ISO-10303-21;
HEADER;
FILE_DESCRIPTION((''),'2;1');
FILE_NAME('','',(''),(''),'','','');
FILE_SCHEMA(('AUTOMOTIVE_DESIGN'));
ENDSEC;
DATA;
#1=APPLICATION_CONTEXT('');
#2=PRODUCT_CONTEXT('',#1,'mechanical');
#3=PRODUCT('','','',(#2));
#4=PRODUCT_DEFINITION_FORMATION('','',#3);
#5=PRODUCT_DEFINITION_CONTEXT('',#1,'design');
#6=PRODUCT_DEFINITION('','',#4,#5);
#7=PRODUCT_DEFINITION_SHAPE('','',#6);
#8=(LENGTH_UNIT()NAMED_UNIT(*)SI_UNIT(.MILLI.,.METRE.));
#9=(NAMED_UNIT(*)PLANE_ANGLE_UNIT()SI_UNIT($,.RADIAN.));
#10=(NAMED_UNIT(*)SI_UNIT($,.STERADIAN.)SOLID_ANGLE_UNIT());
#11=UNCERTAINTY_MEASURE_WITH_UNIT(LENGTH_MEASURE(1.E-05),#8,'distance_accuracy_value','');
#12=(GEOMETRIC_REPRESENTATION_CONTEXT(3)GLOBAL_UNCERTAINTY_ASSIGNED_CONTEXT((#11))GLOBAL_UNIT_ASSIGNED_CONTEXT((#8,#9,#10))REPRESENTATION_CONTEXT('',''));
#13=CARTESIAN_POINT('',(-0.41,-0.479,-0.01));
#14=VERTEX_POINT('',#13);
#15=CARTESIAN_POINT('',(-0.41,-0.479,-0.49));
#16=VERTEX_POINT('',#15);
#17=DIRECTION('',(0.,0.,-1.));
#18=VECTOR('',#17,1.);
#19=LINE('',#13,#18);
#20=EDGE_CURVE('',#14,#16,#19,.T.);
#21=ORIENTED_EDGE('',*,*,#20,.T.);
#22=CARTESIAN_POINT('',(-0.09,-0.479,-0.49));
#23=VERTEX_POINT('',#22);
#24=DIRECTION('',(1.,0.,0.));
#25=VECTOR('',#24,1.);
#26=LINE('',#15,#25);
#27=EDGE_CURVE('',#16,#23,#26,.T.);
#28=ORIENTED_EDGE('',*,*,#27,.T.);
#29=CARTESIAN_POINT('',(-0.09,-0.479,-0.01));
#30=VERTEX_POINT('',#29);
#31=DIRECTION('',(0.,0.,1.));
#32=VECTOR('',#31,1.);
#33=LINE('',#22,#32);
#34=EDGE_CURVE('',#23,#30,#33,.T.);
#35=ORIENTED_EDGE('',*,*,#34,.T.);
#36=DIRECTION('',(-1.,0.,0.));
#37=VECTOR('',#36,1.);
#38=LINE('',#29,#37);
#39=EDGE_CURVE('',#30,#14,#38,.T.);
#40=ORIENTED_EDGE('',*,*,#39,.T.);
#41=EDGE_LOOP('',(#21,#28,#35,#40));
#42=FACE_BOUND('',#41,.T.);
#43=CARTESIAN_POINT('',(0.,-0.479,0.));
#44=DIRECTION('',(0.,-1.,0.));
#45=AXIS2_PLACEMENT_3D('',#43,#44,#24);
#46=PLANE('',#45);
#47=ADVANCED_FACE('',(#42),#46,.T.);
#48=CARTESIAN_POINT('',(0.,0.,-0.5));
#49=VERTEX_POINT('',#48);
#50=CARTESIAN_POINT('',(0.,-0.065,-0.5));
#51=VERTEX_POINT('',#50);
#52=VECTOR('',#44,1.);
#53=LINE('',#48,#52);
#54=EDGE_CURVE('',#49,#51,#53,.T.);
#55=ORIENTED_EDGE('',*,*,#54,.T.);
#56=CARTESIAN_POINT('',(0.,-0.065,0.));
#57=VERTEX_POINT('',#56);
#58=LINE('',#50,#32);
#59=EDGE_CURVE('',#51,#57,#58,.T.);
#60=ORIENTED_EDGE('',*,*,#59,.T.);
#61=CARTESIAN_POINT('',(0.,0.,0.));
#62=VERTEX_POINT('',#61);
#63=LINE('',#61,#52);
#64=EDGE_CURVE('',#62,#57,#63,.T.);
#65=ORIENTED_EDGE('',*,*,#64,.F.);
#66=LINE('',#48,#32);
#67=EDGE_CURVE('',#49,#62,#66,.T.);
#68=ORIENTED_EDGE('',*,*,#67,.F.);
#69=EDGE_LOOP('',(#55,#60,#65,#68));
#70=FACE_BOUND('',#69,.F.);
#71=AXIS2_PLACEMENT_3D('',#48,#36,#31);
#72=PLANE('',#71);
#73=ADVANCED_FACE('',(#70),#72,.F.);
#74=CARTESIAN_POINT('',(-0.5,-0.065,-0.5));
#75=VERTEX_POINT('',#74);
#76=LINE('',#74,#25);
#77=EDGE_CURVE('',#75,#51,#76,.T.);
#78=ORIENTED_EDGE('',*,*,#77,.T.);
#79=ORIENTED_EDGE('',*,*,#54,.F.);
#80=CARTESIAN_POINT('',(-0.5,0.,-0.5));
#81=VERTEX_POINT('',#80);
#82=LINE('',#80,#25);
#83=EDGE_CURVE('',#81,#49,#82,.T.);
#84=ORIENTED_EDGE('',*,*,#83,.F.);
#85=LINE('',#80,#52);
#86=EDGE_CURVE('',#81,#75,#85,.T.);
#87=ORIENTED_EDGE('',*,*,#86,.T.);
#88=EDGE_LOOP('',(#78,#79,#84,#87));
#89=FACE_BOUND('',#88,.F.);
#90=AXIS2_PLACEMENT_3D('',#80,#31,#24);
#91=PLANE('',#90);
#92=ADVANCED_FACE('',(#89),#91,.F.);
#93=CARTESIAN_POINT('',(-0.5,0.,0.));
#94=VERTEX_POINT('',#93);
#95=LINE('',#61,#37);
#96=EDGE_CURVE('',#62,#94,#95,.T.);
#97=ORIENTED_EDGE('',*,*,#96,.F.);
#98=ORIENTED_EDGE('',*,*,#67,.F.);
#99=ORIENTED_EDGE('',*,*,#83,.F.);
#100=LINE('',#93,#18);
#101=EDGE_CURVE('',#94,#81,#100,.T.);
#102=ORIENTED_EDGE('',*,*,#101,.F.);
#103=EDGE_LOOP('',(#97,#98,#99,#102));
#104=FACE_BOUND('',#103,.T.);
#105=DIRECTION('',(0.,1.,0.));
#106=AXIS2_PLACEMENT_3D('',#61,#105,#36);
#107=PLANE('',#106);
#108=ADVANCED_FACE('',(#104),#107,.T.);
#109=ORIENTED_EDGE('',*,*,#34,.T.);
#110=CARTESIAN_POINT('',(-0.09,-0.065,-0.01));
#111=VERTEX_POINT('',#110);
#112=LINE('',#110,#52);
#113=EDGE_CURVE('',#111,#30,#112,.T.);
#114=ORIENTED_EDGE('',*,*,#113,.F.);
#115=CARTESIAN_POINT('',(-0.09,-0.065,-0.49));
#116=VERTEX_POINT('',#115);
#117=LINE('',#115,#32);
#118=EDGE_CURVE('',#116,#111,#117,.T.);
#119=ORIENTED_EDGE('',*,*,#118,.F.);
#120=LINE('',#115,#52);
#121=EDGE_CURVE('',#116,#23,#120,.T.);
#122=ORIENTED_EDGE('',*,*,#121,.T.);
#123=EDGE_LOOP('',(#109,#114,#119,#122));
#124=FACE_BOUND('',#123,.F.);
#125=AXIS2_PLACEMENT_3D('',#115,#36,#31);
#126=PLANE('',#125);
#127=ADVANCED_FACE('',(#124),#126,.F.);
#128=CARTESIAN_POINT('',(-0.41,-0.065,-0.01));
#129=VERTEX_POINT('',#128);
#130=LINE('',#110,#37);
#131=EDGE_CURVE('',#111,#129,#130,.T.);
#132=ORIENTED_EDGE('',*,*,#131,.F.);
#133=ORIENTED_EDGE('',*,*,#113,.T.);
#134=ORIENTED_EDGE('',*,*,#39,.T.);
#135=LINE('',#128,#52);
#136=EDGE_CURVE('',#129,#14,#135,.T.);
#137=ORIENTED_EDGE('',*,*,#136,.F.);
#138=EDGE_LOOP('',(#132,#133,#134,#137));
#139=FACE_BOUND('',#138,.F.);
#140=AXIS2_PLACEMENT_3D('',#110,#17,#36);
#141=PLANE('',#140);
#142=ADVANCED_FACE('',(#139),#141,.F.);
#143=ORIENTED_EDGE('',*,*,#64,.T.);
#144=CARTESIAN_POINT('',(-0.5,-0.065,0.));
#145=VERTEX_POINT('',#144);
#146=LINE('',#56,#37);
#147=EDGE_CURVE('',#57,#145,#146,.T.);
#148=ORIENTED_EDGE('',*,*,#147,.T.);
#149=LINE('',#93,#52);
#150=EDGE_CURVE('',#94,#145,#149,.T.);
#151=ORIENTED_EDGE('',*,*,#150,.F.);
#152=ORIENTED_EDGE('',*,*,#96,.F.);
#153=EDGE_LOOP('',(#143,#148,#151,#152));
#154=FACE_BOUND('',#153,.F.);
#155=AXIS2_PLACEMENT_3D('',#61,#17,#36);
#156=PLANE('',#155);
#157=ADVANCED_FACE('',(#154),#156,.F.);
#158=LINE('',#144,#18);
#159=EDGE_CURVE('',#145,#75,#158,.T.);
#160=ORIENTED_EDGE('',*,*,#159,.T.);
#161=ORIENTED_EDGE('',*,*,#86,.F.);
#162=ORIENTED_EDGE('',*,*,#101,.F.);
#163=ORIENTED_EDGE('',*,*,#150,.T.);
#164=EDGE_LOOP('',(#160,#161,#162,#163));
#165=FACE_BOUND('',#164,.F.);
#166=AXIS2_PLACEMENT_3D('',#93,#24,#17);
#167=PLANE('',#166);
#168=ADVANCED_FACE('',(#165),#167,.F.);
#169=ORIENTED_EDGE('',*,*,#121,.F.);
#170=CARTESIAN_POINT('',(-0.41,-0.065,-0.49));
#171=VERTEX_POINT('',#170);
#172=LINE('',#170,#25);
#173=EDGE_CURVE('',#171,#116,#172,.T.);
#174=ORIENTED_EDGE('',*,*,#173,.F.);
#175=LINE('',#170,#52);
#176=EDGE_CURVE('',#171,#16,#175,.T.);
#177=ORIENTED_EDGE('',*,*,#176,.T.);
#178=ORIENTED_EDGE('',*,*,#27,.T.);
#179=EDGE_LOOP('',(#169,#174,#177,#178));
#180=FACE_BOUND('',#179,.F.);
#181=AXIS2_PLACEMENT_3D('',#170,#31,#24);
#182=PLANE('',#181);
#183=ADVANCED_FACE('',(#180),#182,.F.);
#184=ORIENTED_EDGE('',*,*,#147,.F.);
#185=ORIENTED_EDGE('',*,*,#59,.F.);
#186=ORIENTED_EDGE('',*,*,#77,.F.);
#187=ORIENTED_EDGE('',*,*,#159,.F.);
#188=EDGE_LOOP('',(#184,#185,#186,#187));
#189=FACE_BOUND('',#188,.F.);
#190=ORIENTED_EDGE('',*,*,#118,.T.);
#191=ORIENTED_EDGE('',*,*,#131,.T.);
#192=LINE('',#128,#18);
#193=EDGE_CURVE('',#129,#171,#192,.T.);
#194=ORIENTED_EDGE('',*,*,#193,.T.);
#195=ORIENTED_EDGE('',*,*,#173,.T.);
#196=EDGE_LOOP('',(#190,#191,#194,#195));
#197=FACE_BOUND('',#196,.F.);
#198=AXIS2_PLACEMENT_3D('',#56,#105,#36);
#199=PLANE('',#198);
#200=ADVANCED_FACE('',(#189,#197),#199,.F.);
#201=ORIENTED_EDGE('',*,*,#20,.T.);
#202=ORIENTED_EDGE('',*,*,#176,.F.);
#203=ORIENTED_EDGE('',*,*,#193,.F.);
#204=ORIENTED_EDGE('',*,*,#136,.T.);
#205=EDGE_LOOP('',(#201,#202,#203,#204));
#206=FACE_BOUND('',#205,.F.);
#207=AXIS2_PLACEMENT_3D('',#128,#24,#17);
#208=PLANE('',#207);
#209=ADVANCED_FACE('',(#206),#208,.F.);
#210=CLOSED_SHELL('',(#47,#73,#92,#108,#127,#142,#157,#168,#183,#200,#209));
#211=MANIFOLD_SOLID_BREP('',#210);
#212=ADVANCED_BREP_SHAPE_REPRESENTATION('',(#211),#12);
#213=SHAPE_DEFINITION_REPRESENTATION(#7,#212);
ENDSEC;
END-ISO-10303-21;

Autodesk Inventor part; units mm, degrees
ref_plane "YZ Plane" through (0, 0, 0) normal (1, 0, 0) x (0, 1, 0)
ref_plane "XZ Plane" through (0, 0, 0) normal (0, 1, 0) x (-1, 0, 0)
ref_plane "XY Plane" through (0, 0, 0) normal (0, 0, 1) x (1, 0, 0)
sketch "スケッチ1" plane through (0, 0, 0) normal (0, 1, 0) x (-1, 0, 0)
  line L0 (0, 0) -> (0.5, 0)
  line L1 (0.5, 0) -> (0.5, -0.5)
  line L2 (0.5, -0.5) -> (0, -0.5)
  line L3 (0, -0.5) -> (0, 0)
  dimension "d0" = 0.5
  dimension "d1" = 0.5
extrude "押し出し1" add sketch "スケッチ1" against normal blind 0.065
sketch "スケッチ2" plane through (0, -0.065, 0) normal (0, -1, 0) x (1, 0, 0)
  point P0 (0, 0)
sketch "スケッチ3" plane through (0, -0.065, 0) normal (0, -1, 0) x (1, 0, 0)
  line L0 (0, 0) -> (-0.5, 0) projected
  line L1 (-0.5, -0.5) -> (0, -0.5) projected
  line L2 (-0.09, -0.01) -> (-0.41, -0.01)
  line L3 (-0.41, -0.01) -> (-0.41, -0.49)
  line L4 (-0.41, -0.49) -> (-0.09, -0.49)
  line L5 (-0.09, -0.49) -> (-0.09, -0.01)
  point P0 (-0.09, 0)
  point P1 (-0.41, -0.5)
  dimension "d7" = 0.32
  dimension "d8" = 0.48
extrude "押し出し2" add sketch "スケッチ3" along normal blind 0.414
sketch "スケッチ4" plane through (0, 0, 0) normal (1, 0, 0) x (0, 0, -1)
  point P0 (0, 0)
sketch "スケッチ5" plane through (0, -0.065, 0) normal (0, -1, 0) x (1, 0, 0)
  point P0 (0, 0)
sketch "スケッチ6" plane through (-0.41, -0.065, -0.01) normal (0, 0, 1) x (1, 0, 0)
  point P0 (0.41, 0.065)
properties part number "CRANEBASE"
